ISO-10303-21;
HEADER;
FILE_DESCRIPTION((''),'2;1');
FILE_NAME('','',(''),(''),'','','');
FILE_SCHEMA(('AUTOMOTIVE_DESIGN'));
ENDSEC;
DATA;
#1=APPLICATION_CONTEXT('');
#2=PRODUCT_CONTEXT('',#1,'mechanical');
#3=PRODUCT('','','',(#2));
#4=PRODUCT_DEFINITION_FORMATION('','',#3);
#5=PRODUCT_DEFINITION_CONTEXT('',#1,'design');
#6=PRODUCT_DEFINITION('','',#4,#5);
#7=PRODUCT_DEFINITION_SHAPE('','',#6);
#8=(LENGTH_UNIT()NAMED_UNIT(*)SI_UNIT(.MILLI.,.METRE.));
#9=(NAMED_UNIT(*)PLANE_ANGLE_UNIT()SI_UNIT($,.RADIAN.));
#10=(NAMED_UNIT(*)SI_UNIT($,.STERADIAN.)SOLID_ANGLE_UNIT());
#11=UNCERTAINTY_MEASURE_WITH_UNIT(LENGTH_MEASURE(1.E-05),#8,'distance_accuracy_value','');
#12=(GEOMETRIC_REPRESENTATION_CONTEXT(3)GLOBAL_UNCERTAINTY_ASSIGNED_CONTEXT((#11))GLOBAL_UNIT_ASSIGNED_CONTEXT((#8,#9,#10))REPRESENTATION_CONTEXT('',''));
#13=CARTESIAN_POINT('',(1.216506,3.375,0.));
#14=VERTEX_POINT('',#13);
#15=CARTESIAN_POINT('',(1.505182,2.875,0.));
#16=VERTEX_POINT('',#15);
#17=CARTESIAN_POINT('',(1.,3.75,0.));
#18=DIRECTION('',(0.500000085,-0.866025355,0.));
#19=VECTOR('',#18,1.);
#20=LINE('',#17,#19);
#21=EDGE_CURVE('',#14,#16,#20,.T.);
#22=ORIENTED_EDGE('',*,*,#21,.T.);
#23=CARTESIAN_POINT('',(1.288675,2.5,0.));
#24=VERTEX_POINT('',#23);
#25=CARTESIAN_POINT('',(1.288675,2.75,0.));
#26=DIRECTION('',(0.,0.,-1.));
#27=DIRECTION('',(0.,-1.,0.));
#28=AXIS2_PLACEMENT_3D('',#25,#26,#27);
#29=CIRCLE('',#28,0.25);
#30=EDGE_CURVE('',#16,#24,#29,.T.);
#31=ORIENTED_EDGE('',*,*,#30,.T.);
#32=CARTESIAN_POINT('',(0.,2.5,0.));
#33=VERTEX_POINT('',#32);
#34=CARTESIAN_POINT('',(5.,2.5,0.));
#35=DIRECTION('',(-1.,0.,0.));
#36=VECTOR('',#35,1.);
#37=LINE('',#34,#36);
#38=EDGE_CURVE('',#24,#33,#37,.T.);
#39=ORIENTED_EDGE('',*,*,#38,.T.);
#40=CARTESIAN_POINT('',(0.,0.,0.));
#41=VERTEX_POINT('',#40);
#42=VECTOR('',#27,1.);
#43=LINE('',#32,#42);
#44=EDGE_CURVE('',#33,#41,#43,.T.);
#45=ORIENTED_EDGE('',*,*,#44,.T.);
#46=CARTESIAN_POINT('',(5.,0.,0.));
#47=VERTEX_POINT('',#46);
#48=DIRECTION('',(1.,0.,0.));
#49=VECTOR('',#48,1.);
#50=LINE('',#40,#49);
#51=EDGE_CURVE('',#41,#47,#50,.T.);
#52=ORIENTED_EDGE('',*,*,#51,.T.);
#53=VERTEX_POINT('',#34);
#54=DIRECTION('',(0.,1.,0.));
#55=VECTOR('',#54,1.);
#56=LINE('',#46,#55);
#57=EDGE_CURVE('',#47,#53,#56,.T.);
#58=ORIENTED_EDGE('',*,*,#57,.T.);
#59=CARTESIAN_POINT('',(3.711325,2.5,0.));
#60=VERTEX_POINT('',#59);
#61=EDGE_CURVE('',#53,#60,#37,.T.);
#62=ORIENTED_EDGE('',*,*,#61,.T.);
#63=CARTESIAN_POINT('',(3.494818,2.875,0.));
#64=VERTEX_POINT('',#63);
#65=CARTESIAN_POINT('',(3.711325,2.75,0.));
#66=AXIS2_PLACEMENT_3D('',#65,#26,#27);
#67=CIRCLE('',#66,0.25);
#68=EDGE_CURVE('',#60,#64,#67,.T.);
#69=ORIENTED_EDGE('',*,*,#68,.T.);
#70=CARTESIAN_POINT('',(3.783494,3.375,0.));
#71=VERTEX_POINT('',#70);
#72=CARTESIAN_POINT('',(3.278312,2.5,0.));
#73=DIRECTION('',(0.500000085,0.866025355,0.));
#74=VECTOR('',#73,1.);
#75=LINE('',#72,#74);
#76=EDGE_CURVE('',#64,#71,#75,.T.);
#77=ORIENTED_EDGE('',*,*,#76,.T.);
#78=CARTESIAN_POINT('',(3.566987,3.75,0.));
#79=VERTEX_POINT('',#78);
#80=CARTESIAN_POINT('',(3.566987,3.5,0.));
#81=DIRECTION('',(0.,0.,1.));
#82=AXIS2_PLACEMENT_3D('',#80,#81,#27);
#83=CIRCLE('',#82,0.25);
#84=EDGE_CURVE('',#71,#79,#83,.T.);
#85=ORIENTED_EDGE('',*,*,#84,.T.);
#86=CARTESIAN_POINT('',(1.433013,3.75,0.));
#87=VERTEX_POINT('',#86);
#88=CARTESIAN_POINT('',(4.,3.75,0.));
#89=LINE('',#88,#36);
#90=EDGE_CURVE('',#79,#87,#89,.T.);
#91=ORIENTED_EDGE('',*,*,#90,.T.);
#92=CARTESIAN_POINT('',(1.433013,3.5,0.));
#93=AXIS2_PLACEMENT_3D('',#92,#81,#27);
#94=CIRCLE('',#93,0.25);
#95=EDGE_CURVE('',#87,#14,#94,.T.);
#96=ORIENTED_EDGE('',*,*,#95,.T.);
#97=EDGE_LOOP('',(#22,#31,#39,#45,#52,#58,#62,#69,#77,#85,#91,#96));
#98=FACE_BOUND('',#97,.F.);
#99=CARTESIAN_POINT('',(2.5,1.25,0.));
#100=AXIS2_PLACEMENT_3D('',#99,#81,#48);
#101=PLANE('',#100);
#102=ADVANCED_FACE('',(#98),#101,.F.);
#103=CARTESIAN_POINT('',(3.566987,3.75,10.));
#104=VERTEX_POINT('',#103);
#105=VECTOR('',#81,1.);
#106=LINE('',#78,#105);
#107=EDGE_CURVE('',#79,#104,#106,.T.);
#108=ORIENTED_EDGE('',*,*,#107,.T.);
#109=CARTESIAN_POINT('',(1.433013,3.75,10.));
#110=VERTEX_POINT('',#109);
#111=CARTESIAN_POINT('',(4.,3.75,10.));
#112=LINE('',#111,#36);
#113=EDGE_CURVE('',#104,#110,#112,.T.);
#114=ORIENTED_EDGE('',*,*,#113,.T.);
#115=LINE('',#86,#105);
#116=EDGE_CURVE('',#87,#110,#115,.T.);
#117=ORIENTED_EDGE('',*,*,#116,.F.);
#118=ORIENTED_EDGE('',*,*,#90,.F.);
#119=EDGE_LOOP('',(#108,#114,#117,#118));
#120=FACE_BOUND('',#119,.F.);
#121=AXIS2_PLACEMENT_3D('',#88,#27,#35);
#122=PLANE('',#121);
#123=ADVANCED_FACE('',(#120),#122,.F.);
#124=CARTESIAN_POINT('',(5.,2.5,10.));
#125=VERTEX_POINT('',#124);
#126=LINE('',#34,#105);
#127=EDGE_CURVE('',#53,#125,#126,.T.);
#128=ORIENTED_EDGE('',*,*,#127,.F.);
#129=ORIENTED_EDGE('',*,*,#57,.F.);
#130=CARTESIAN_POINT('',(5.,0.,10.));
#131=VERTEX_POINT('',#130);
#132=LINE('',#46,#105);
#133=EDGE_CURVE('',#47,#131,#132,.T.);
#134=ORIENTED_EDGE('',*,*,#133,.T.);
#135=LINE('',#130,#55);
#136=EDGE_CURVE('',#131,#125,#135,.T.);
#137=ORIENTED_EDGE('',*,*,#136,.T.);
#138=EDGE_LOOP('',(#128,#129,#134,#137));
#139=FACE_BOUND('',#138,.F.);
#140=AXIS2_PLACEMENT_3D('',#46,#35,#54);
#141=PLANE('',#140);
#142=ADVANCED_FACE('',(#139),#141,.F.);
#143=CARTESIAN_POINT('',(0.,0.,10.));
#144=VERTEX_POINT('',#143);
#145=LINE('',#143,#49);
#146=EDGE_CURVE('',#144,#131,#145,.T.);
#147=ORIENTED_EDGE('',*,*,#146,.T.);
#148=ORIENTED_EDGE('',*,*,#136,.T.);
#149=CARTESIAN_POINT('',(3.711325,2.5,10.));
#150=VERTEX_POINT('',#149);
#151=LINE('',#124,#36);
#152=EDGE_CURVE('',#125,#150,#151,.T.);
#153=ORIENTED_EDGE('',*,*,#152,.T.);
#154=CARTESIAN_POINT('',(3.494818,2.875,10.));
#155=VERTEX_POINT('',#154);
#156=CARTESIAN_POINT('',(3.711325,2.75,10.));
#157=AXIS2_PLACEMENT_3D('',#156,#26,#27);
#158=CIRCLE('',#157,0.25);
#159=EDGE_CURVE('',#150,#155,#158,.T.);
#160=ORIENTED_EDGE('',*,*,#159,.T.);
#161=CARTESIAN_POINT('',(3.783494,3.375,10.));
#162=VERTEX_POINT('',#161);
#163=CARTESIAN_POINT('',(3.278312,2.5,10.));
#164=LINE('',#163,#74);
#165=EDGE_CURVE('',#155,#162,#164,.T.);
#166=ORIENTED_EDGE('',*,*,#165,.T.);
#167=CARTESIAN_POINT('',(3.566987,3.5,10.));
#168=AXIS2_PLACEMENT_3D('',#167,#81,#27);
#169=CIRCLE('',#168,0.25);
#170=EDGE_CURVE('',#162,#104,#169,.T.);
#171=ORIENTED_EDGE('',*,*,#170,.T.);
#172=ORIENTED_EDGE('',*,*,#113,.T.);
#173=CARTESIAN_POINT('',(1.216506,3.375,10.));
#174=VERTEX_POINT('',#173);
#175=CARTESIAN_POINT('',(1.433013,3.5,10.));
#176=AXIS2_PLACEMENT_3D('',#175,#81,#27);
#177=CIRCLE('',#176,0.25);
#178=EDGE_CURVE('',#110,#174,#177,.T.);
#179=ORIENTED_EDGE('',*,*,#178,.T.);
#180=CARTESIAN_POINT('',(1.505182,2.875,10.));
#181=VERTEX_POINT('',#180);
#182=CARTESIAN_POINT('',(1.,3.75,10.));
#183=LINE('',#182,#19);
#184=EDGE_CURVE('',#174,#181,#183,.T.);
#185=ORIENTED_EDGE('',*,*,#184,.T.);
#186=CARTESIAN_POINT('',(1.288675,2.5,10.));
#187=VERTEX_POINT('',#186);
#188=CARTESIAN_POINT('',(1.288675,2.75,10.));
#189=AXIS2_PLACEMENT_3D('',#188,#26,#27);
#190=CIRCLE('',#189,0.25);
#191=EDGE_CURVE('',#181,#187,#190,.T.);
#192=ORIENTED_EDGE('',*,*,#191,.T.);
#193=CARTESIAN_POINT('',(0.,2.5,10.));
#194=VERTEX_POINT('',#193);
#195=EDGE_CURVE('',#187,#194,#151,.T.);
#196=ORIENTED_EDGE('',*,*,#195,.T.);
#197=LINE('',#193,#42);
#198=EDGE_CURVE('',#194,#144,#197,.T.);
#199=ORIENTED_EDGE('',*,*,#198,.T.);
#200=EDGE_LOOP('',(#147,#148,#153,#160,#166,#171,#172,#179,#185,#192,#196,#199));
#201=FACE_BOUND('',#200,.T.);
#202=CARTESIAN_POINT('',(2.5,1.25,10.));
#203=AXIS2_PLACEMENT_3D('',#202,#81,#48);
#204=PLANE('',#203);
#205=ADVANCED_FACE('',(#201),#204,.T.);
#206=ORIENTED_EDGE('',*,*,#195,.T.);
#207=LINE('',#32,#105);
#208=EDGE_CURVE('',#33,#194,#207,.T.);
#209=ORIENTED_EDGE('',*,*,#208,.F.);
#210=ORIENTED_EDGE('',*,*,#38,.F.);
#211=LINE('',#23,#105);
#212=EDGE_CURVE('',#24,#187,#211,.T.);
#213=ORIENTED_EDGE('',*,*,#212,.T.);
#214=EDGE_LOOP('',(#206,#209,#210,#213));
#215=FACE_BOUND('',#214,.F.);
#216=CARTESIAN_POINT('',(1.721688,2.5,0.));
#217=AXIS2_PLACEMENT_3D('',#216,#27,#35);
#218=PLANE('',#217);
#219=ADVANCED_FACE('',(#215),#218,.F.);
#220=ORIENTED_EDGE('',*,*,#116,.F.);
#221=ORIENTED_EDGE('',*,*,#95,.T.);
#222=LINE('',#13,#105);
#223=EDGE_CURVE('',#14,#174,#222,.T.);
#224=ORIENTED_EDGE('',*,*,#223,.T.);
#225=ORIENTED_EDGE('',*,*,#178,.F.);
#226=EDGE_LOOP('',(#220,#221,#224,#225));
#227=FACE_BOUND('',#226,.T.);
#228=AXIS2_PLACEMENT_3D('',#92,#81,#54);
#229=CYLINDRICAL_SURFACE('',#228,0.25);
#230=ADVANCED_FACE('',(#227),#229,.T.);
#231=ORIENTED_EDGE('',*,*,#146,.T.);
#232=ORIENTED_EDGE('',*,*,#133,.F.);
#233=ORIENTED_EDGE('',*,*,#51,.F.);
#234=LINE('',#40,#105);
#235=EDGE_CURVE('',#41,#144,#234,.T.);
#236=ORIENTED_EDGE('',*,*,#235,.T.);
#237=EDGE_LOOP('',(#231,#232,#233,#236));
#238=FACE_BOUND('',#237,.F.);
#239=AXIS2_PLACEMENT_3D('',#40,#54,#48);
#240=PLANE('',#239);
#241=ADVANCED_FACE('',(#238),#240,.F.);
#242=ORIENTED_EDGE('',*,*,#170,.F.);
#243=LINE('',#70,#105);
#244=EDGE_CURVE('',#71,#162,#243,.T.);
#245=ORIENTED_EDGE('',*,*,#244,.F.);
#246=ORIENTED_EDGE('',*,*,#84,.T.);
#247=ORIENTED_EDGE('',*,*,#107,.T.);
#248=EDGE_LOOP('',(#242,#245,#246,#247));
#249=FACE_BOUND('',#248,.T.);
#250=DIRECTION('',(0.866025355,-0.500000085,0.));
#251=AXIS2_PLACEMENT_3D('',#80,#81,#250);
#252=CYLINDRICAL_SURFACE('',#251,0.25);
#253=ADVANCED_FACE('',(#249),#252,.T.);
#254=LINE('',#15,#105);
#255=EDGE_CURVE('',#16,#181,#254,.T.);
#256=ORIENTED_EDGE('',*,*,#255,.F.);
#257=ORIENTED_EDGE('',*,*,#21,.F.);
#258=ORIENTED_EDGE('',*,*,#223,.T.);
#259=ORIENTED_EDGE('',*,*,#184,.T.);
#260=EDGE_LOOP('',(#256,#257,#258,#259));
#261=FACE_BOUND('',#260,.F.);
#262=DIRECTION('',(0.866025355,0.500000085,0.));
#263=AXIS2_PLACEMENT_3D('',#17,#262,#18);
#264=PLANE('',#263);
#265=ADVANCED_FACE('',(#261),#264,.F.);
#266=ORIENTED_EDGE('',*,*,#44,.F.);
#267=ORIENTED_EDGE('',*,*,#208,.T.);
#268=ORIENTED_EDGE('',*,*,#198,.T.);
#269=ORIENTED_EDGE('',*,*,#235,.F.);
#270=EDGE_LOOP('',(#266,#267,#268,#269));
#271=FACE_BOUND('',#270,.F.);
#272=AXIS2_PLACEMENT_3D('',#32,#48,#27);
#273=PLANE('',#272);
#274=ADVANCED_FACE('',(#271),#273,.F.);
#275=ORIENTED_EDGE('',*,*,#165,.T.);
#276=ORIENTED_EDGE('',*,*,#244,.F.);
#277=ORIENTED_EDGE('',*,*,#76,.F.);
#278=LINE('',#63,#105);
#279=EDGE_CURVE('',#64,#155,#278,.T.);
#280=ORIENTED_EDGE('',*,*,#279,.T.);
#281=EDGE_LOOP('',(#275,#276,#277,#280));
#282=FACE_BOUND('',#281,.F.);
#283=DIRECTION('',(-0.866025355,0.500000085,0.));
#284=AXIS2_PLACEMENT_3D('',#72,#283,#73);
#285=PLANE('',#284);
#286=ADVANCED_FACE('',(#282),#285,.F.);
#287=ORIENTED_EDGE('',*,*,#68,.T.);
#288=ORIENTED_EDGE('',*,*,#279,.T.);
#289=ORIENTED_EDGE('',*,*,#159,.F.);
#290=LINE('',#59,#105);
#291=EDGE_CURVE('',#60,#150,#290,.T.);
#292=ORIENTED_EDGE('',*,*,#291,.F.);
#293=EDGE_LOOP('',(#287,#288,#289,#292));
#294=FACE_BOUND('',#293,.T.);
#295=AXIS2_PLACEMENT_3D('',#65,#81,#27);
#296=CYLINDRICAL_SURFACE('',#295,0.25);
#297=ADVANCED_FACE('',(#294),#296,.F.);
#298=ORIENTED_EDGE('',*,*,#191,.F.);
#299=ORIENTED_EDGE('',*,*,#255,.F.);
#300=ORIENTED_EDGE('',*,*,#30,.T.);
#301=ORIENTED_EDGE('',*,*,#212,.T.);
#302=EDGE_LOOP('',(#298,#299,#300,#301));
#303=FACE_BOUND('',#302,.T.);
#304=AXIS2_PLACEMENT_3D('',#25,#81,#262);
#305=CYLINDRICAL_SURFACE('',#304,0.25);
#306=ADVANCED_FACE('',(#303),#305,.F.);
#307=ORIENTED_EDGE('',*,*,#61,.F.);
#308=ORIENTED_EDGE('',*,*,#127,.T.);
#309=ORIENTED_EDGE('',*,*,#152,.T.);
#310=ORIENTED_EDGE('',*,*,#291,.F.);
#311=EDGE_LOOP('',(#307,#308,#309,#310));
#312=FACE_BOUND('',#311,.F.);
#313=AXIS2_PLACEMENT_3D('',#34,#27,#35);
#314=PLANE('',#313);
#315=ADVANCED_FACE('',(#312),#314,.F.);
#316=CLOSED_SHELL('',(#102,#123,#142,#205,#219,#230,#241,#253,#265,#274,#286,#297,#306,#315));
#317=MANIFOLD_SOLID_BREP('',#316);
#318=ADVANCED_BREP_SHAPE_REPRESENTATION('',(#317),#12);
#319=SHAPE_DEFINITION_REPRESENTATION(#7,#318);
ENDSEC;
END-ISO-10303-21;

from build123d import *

# Parameters (mm, degrees)
F1_DEPTH = 10
F2_R     = 0.25


with BuildPart() as f1:
    # F0 (on Top) → F1 (new body)
    with BuildSketch(Plane.XY):
        Polygon((0, 2.5), (0, 0), (5, 0), (5, 2.5), (3.278312, 2.5), (1.721688, 2.5), align=None)
        Polygon((1, 3.75), (1.721688, 2.5), (3.278312, 2.5), (4, 3.75), align=None)
    extrude(amount=F1_DEPTH)

    # F2
    f2_edges = [f1.edges().sort_by_distance(p)[0] for p in [
        (1.721688, 2.5, 5),
        (3.278312, 2.5, 5),
        (4, 3.75, 5),
        (1, 3.75, 5),
    ]]
    fillet(f2_edges, radius=F2_R)


solid = f1.part
